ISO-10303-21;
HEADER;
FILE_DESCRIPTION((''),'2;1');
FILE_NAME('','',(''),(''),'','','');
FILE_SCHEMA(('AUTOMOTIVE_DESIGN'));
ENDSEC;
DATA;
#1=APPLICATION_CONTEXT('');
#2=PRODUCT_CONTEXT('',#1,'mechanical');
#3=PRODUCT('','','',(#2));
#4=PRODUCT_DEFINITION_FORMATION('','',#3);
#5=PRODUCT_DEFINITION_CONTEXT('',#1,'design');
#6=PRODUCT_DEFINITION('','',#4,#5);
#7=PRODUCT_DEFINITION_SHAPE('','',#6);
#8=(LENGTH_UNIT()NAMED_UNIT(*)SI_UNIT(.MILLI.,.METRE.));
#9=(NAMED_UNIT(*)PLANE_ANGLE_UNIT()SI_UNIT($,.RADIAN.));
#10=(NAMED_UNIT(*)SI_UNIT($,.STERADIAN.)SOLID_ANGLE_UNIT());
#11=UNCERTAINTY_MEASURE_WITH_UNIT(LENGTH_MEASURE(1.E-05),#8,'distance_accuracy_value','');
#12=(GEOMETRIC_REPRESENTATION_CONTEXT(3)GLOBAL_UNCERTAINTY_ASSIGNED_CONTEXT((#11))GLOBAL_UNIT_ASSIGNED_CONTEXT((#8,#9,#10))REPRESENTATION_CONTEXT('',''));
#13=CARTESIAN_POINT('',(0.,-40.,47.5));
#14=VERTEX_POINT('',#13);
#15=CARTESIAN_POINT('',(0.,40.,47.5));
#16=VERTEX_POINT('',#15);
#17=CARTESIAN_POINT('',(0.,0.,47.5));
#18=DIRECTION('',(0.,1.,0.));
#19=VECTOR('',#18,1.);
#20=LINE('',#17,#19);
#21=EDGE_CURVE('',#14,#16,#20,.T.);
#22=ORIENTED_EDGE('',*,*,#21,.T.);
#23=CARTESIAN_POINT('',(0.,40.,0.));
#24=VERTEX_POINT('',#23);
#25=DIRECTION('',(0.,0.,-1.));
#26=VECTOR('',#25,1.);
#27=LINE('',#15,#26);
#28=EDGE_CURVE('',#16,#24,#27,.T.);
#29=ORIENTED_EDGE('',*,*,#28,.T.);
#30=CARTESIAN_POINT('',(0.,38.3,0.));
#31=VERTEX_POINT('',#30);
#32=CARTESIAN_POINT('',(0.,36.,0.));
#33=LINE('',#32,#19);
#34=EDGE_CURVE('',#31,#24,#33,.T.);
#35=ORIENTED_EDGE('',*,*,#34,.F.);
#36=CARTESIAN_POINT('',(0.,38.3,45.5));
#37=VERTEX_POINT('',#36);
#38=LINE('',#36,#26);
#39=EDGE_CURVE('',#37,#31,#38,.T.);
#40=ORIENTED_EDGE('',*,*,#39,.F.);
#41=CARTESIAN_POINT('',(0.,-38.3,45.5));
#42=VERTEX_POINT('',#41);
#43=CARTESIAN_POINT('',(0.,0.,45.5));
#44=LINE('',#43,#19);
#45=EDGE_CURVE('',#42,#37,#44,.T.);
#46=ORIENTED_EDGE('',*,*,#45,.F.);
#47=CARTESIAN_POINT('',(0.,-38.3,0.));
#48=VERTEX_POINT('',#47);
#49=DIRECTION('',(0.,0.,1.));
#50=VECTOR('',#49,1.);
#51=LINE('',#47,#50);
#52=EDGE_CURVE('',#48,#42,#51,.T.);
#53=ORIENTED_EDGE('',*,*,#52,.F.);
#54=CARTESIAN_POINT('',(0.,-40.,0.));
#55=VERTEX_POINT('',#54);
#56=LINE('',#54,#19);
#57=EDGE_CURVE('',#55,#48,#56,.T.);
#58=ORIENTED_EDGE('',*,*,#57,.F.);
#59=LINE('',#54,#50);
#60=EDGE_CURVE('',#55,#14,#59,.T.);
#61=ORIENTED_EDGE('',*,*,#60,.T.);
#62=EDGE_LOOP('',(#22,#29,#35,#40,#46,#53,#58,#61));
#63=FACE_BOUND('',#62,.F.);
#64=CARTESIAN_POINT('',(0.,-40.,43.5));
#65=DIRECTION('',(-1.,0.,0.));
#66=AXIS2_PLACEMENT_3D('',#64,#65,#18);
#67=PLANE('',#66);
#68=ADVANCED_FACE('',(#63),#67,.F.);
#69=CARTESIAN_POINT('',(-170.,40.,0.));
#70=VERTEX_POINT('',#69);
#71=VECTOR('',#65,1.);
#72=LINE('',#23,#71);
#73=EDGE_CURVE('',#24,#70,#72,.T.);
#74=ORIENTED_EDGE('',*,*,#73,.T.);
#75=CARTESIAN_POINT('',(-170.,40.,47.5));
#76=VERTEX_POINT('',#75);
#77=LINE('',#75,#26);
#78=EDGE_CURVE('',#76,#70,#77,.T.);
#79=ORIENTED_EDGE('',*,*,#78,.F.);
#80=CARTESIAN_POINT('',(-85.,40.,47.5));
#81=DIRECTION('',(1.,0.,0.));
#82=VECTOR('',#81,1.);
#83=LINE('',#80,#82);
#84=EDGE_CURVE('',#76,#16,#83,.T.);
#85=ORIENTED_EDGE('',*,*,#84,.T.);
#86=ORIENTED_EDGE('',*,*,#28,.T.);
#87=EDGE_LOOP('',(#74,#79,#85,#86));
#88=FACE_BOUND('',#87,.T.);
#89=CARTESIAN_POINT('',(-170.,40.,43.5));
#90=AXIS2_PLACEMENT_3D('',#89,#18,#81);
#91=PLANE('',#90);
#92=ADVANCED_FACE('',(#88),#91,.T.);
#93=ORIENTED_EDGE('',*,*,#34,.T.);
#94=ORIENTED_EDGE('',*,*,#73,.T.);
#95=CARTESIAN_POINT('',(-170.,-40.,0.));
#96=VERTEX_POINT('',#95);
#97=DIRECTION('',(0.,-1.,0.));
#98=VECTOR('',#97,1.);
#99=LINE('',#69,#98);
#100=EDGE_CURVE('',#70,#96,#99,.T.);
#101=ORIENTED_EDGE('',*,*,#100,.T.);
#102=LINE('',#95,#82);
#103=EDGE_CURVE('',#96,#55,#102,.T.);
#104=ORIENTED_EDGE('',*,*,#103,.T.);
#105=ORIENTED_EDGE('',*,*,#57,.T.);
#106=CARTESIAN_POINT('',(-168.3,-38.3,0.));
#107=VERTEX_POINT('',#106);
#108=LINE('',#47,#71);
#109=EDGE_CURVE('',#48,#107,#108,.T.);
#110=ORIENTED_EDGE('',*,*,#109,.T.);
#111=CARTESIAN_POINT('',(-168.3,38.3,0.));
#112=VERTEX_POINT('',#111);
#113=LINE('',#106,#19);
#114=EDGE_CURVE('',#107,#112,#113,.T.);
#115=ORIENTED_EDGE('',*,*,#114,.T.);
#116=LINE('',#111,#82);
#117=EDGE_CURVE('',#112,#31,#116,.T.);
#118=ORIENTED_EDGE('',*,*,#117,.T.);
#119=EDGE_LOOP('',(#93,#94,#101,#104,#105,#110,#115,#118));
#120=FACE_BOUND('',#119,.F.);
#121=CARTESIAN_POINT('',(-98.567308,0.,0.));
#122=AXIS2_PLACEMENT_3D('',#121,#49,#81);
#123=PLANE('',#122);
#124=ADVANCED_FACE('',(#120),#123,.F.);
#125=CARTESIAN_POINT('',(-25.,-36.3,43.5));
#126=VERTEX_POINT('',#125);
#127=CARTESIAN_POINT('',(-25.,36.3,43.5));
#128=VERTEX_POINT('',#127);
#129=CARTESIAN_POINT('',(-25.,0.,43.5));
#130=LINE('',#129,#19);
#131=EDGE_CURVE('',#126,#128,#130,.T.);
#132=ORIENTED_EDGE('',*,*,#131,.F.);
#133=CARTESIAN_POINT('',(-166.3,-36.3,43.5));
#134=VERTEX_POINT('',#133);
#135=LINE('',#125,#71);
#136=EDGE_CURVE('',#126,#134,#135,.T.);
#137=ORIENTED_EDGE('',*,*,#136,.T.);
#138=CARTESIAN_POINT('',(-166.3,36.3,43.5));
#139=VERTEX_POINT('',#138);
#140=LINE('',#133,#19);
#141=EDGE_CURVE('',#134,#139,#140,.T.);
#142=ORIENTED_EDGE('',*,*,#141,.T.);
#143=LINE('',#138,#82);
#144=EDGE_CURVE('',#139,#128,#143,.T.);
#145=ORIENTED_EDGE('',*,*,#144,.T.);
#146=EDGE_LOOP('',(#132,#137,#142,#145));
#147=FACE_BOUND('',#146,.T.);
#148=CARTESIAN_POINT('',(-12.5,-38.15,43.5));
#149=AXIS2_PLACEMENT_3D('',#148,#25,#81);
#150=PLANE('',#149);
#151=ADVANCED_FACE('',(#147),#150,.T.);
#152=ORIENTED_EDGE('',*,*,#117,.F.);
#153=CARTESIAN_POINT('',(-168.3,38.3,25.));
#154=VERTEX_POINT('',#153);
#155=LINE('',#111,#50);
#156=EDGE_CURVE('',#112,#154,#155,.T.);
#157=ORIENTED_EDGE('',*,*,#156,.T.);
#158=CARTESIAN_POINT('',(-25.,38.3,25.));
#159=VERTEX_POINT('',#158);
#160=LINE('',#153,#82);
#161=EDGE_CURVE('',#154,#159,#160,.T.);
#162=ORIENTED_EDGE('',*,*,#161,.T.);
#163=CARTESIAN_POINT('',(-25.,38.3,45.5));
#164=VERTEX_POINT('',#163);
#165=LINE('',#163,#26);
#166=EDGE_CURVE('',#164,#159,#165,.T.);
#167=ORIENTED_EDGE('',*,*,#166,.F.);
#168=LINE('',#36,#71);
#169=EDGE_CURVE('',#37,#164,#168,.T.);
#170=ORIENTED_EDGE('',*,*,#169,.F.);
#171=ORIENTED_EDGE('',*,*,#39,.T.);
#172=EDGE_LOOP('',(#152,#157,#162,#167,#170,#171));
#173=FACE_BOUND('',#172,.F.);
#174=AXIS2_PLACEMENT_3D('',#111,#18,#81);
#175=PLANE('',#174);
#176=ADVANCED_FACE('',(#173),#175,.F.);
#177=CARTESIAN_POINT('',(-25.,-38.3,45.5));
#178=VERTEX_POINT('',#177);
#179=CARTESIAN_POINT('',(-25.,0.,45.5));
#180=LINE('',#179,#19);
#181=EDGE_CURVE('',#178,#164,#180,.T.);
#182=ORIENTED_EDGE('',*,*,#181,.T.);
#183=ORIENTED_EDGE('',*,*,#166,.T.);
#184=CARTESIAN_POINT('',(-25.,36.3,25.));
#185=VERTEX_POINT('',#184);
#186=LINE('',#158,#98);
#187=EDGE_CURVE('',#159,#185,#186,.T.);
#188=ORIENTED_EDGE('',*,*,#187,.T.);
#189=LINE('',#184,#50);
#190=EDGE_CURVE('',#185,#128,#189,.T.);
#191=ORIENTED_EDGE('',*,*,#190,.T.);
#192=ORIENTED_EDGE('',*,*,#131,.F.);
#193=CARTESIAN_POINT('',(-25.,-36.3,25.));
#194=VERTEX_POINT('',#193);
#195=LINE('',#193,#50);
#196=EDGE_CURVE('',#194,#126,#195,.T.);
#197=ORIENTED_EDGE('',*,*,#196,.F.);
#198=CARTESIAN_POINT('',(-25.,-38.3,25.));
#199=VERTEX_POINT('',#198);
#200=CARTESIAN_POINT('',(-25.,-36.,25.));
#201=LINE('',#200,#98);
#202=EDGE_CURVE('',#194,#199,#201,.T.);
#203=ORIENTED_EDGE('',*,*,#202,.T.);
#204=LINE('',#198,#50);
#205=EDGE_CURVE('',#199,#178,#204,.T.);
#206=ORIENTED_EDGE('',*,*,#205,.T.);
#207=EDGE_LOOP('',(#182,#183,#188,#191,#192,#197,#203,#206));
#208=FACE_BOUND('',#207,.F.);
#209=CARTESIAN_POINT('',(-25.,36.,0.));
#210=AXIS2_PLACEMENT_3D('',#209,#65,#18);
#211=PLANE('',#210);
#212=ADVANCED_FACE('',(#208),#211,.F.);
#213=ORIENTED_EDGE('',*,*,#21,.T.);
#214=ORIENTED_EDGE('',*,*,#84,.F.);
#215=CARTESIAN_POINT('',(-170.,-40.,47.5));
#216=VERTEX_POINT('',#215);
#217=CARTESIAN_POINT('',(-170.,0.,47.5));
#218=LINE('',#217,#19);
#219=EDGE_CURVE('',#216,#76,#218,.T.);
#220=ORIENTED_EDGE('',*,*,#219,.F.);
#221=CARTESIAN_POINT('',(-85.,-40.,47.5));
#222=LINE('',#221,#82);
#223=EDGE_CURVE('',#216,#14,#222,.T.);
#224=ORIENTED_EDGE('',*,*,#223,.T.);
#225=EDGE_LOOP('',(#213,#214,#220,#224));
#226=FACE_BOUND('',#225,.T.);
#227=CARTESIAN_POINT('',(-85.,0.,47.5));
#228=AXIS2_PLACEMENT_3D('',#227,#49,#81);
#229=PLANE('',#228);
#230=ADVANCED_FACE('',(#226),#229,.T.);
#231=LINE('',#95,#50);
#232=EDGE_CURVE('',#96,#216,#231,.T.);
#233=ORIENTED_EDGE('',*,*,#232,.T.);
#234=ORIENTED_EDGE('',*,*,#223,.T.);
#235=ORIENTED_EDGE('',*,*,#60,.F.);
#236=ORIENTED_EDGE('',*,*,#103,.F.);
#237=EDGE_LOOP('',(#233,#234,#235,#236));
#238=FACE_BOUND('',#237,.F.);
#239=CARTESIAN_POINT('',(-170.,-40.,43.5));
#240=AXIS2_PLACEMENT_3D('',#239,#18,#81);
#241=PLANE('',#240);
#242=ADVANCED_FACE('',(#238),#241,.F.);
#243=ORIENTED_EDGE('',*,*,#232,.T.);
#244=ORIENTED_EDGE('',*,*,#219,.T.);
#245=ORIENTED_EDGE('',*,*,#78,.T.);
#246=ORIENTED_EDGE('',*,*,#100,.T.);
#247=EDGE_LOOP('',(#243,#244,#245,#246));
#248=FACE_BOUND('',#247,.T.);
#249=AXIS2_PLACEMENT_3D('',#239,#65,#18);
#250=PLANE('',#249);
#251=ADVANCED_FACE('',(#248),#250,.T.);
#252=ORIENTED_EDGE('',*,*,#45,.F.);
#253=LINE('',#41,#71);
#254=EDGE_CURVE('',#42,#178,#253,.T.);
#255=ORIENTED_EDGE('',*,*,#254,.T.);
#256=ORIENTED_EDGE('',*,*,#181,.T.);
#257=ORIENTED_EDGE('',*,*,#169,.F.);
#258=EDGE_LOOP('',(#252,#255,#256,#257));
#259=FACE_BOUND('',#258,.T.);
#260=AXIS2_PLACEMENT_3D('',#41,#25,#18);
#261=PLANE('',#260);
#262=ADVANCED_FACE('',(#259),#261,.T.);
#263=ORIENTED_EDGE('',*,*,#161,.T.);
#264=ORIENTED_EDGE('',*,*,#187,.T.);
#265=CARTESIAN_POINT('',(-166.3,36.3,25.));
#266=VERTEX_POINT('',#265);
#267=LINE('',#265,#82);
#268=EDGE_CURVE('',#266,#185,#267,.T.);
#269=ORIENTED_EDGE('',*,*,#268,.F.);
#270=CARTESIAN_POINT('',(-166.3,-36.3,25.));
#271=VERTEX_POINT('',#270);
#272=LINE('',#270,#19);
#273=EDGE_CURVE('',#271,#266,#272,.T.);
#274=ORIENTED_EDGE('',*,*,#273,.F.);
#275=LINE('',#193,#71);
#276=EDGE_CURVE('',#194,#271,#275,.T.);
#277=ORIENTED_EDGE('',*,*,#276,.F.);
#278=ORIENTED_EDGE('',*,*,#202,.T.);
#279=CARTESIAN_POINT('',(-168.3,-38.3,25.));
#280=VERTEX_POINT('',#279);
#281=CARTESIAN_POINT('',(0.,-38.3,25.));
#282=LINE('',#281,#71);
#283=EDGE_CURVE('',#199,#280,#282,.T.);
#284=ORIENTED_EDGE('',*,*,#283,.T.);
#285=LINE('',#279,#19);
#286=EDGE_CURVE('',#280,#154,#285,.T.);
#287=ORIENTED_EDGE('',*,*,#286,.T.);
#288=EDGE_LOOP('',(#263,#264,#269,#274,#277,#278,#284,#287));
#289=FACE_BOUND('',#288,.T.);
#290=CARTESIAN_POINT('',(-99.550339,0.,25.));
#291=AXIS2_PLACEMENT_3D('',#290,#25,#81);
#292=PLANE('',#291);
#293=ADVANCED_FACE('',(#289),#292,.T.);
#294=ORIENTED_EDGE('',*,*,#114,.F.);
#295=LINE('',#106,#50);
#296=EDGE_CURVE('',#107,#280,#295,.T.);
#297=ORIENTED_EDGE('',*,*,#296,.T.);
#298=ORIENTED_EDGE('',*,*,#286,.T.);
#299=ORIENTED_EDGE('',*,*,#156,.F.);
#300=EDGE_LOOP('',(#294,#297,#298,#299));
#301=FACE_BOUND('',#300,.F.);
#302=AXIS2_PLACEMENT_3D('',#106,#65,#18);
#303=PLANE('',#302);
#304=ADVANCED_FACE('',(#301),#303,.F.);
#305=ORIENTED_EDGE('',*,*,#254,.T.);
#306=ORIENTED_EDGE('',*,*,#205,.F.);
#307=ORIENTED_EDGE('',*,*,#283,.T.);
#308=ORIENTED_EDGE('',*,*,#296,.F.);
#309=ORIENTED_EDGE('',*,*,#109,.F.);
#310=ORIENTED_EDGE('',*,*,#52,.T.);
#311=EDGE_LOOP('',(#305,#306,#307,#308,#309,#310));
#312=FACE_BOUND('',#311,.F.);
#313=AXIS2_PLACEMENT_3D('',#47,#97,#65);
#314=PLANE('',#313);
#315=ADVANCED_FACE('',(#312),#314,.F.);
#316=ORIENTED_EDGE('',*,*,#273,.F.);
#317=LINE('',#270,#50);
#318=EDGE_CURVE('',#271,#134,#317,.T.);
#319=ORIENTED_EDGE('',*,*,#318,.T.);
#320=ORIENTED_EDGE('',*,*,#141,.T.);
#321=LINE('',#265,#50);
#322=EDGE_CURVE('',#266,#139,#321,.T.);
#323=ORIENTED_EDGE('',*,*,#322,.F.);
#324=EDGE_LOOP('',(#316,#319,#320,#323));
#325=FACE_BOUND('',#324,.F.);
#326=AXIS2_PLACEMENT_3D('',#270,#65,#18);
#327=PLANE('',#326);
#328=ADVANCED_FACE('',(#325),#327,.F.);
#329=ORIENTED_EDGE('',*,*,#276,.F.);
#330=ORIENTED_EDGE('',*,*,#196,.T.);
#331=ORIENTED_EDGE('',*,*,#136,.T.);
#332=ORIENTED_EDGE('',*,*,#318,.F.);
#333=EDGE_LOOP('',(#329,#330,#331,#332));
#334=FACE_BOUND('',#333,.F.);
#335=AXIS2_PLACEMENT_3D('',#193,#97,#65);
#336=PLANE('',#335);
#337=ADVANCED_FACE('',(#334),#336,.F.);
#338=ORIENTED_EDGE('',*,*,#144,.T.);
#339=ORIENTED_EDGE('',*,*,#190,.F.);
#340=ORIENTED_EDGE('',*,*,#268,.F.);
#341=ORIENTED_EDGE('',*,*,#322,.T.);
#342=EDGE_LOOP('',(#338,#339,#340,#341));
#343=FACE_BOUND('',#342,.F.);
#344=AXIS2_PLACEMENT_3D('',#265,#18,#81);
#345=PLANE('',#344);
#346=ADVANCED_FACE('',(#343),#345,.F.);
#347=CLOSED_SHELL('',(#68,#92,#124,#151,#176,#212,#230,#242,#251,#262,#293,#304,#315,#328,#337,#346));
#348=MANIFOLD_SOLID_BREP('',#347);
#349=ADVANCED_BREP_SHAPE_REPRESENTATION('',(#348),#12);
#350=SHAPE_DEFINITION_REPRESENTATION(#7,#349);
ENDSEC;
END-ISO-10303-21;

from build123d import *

# Parameters (mm, degrees)
F1_DEPTH  = 43.5
F2_W      = 170
F2_H      = 80
F3_DEPTH  = 4
F5_DEPTH  = 25
F6_W      = 25
F6_H      = 2
F7_DEPTH  = 43.5
F9_DEPTH  = 25
F10_W     = 25
F10_H     = 0.3
F11_DEPTH = 18.5
F13_DEPTH = 18.5
F14_W     = 25
F14_H     = 0.3
F15_DEPTH = 18.5
F16_W     = 76.6
F16_H     = 2
F17_DEPTH = 25


with BuildPart() as f1:
    # F0 (on Top) → F1 (new body)
    with BuildSketch(Plane.XY):
        Polygon((-166, 0), (-166, 36), (0, 36), (0, 40), (-170, 40), (-170, -40), (0, -40), (0, -36), (-166, -36), align=None)
    extrude(amount=F1_DEPTH)

    # F2 (on face) → F3 (join)
    with BuildSketch(Plane.XY.offset(43.5)):
        with Locations((-85, 0)):
            Rectangle(F2_W, F2_H)
    extrude(amount=F3_DEPTH)

    # F4 (on face) → F5 (cut)
    with BuildSketch(Plane.XY):
        Polygon((0, -36), (-166, -36), (-166, 0), (-166, 36), (0, 36), (0, 38), (-168, 38), (-168, -38), (0, -38), align=None)
    extrude(amount=F5_DEPTH, mode=Mode.SUBTRACT)

    # F6 (on face) → F7 (cut)
    with BuildSketch(Plane.XY):
        with Locations((-12.5, -37)):
            Rectangle(F6_W, F6_H)
        with Locations((-12.5, 37)):
            Rectangle(F6_W, F6_H)
    extrude(amount=F7_DEPTH, mode=Mode.SUBTRACT)

    # F8 (on face) → F9 (cut)
    with BuildSketch(Plane(origin=(0, 0, 0), x_dir=(1, 0, 0), z_dir=(0, 0, -1))):
        Polygon((-168, -38), (-168, 38), (0, 38), (0, 38.3), (-168.3, 38.3), (-168.3, -38.3), (0, -38.3), (0, -38), align=None)
    extrude(amount=-F9_DEPTH, mode=Mode.SUBTRACT)

    # F10 (on face) → F11 (cut)
    with BuildSketch(Plane(origin=(0, 0, 25), x_dir=(1, 0, 0), z_dir=(0, 0, -1))):
        with Locations((-12.5, 38.15)):
            Rectangle(F10_W, F10_H)
    extrude(amount=-F11_DEPTH, mode=Mode.SUBTRACT)

    # F12 (on face) → F13 (cut)
    with BuildSketch(Plane(origin=(0, 0, 25), x_dir=(1, 0, 0), z_dir=(0, 0, -1))):
        Polygon((-166, -36), (-166, 36), (-25, 36), (-25, 36.3), (-166.3, 36.3), (-166.3, -36.3), (-25, -36.3), (-25, -36), align=None)
    extrude(amount=-F13_DEPTH, mode=Mode.SUBTRACT)

    # F14 (on face) → F15 (cut)
    with BuildSketch(Plane(origin=(0, 0, 25), x_dir=(1, 0, 0), z_dir=(0, 0, -1))):
        with Locations((-12.5, -38.15)):
            Rectangle(F14_W, F14_H)
    extrude(amount=-F15_DEPTH, mode=Mode.SUBTRACT)

    # F16 (on face) → F17 (cut)
    with BuildSketch(Plane.YZ):
        with Locations((0, 44.5)):
            Rectangle(F16_W, F16_H)
    extrude(amount=-F17_DEPTH, mode=Mode.SUBTRACT)


solid = f1.part
